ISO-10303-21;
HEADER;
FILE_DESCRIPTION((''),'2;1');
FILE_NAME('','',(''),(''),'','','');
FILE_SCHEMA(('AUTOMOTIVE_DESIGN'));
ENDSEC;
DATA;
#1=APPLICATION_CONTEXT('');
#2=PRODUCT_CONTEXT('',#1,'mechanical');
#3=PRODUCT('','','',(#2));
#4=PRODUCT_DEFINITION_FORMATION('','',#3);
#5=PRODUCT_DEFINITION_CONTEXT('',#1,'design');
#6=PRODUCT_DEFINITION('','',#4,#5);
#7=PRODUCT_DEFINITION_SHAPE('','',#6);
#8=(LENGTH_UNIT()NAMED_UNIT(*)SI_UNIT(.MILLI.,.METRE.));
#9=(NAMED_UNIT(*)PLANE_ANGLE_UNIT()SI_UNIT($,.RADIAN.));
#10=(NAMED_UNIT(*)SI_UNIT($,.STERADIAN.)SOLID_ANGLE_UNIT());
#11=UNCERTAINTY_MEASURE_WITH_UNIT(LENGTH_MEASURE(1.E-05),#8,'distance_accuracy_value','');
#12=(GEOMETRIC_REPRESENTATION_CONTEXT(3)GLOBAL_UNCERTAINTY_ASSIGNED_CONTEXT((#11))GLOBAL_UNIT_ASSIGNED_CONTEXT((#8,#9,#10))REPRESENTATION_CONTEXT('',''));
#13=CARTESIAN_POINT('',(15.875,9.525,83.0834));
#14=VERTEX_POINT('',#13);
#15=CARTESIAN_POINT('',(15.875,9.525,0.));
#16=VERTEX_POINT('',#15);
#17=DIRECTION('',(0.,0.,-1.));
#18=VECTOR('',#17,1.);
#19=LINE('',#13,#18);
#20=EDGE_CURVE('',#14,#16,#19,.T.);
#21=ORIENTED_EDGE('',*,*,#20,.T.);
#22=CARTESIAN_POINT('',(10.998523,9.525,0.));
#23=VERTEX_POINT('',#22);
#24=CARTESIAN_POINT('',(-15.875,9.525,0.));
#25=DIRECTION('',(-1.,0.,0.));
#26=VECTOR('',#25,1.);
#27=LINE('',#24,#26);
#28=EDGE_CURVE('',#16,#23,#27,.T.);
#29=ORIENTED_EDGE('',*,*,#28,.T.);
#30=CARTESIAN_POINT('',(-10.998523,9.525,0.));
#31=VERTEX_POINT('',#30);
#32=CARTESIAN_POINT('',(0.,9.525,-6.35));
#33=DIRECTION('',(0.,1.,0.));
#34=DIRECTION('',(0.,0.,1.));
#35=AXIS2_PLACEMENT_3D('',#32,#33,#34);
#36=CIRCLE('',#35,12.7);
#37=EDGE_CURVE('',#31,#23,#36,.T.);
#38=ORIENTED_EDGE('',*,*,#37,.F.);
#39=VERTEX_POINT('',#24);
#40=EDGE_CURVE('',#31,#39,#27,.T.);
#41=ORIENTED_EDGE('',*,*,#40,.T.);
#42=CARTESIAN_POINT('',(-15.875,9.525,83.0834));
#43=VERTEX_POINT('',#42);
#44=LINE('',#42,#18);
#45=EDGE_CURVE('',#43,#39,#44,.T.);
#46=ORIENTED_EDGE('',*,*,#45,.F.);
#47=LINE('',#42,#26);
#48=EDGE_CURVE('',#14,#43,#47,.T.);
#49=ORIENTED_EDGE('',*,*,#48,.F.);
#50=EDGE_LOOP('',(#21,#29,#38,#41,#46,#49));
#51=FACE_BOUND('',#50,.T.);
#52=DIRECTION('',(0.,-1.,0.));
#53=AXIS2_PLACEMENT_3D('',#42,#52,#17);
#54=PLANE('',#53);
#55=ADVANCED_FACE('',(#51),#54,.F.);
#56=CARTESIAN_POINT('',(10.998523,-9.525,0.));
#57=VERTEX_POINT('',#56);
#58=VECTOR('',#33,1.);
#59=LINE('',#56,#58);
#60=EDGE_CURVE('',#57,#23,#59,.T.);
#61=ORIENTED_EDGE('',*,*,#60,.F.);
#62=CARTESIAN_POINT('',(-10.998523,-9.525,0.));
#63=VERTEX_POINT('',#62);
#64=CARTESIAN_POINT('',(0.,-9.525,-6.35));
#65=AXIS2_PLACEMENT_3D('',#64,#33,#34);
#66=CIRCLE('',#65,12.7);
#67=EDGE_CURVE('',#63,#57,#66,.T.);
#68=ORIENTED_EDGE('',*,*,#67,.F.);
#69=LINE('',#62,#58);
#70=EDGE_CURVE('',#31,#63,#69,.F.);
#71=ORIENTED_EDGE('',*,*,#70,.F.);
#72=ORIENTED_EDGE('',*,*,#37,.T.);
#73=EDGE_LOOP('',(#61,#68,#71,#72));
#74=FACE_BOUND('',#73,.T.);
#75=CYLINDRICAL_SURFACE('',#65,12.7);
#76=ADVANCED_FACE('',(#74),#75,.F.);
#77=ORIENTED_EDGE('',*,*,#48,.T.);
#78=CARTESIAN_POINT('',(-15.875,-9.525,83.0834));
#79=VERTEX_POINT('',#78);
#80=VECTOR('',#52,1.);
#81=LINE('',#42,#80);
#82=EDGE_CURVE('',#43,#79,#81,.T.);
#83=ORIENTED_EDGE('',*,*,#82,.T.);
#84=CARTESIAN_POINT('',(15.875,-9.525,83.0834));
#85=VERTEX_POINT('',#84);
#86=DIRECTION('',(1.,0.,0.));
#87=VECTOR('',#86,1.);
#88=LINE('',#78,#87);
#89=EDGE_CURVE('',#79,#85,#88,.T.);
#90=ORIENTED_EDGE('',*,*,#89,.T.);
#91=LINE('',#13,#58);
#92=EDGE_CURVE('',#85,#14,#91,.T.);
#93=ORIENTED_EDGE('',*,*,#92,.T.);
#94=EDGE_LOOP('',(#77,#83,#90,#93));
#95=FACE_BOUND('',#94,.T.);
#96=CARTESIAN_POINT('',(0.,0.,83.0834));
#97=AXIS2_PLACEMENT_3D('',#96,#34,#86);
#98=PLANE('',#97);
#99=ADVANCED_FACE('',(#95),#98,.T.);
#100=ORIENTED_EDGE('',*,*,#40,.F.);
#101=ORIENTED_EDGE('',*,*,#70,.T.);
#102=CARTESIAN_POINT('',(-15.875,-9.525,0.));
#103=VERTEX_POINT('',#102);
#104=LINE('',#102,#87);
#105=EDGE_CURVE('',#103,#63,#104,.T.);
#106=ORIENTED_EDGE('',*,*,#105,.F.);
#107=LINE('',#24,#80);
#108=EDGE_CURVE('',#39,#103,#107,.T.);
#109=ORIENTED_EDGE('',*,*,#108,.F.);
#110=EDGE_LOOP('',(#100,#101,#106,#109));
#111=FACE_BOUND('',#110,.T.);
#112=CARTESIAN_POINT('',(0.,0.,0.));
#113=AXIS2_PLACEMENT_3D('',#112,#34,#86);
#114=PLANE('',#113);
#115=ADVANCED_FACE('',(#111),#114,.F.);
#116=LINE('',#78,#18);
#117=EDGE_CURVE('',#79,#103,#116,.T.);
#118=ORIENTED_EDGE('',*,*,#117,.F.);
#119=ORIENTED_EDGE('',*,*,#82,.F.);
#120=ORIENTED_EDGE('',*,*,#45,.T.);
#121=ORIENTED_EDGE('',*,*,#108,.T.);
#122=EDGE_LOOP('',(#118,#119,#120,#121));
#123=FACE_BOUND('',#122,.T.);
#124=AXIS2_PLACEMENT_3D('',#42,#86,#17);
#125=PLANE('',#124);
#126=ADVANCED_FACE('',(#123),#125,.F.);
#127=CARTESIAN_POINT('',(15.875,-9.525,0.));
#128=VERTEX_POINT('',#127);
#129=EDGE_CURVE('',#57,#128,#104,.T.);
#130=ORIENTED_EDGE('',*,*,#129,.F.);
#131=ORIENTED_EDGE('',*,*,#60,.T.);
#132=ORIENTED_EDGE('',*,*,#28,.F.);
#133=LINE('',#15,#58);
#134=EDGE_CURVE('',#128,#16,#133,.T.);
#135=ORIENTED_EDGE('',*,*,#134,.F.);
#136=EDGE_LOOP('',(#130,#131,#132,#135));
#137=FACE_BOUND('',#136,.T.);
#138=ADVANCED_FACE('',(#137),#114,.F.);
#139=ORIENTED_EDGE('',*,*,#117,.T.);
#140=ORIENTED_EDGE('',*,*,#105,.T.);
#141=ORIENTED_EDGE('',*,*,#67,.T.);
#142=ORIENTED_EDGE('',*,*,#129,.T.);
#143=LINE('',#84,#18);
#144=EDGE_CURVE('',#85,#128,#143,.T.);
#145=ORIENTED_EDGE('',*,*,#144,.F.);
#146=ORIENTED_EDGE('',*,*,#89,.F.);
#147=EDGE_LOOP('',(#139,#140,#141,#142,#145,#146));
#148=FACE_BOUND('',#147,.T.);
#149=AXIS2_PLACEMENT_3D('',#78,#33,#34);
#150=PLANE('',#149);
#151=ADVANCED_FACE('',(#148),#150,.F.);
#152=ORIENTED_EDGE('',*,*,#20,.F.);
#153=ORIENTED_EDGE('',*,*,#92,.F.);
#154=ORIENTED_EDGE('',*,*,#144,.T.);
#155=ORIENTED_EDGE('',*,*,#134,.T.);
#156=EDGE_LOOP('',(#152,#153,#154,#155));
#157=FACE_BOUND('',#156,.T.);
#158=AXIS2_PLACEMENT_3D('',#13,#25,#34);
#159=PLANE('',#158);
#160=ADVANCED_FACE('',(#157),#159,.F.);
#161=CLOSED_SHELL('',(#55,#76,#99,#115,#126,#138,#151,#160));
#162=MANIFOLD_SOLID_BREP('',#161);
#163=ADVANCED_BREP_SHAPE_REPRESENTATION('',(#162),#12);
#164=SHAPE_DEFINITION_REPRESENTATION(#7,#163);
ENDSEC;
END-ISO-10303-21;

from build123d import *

# Parameters (mm, degrees)
SKETCH1_W           = 31.75
SKETCH1_H           = 19.05
BOSS_EXTRUDE1_DEPTH = 83.0834
SKETCH2_R           = 12.7
CUT_EXTRUDE1_DEPTH  = 87.705071827


with BuildPart() as part:
    # Sketch1 → Boss-Extrude1 (new body)
    with BuildSketch(Plane.XY):
        Rectangle(SKETCH1_W, SKETCH1_H)
    extrude(amount=BOSS_EXTRUDE1_DEPTH)

    # Sketch2 → Cut-Extrude1 (cut, through all)
    with BuildSketch(Plane(origin=(0, 9.525, 0), x_dir=(1, 0, 0), z_dir=(0, 1, 0))):
        with Locations((0, 6.35)):
            Circle(SKETCH2_R)
    extrude(amount=-CUT_EXTRUDE1_DEPTH, mode=Mode.SUBTRACT)


solid = part.part
